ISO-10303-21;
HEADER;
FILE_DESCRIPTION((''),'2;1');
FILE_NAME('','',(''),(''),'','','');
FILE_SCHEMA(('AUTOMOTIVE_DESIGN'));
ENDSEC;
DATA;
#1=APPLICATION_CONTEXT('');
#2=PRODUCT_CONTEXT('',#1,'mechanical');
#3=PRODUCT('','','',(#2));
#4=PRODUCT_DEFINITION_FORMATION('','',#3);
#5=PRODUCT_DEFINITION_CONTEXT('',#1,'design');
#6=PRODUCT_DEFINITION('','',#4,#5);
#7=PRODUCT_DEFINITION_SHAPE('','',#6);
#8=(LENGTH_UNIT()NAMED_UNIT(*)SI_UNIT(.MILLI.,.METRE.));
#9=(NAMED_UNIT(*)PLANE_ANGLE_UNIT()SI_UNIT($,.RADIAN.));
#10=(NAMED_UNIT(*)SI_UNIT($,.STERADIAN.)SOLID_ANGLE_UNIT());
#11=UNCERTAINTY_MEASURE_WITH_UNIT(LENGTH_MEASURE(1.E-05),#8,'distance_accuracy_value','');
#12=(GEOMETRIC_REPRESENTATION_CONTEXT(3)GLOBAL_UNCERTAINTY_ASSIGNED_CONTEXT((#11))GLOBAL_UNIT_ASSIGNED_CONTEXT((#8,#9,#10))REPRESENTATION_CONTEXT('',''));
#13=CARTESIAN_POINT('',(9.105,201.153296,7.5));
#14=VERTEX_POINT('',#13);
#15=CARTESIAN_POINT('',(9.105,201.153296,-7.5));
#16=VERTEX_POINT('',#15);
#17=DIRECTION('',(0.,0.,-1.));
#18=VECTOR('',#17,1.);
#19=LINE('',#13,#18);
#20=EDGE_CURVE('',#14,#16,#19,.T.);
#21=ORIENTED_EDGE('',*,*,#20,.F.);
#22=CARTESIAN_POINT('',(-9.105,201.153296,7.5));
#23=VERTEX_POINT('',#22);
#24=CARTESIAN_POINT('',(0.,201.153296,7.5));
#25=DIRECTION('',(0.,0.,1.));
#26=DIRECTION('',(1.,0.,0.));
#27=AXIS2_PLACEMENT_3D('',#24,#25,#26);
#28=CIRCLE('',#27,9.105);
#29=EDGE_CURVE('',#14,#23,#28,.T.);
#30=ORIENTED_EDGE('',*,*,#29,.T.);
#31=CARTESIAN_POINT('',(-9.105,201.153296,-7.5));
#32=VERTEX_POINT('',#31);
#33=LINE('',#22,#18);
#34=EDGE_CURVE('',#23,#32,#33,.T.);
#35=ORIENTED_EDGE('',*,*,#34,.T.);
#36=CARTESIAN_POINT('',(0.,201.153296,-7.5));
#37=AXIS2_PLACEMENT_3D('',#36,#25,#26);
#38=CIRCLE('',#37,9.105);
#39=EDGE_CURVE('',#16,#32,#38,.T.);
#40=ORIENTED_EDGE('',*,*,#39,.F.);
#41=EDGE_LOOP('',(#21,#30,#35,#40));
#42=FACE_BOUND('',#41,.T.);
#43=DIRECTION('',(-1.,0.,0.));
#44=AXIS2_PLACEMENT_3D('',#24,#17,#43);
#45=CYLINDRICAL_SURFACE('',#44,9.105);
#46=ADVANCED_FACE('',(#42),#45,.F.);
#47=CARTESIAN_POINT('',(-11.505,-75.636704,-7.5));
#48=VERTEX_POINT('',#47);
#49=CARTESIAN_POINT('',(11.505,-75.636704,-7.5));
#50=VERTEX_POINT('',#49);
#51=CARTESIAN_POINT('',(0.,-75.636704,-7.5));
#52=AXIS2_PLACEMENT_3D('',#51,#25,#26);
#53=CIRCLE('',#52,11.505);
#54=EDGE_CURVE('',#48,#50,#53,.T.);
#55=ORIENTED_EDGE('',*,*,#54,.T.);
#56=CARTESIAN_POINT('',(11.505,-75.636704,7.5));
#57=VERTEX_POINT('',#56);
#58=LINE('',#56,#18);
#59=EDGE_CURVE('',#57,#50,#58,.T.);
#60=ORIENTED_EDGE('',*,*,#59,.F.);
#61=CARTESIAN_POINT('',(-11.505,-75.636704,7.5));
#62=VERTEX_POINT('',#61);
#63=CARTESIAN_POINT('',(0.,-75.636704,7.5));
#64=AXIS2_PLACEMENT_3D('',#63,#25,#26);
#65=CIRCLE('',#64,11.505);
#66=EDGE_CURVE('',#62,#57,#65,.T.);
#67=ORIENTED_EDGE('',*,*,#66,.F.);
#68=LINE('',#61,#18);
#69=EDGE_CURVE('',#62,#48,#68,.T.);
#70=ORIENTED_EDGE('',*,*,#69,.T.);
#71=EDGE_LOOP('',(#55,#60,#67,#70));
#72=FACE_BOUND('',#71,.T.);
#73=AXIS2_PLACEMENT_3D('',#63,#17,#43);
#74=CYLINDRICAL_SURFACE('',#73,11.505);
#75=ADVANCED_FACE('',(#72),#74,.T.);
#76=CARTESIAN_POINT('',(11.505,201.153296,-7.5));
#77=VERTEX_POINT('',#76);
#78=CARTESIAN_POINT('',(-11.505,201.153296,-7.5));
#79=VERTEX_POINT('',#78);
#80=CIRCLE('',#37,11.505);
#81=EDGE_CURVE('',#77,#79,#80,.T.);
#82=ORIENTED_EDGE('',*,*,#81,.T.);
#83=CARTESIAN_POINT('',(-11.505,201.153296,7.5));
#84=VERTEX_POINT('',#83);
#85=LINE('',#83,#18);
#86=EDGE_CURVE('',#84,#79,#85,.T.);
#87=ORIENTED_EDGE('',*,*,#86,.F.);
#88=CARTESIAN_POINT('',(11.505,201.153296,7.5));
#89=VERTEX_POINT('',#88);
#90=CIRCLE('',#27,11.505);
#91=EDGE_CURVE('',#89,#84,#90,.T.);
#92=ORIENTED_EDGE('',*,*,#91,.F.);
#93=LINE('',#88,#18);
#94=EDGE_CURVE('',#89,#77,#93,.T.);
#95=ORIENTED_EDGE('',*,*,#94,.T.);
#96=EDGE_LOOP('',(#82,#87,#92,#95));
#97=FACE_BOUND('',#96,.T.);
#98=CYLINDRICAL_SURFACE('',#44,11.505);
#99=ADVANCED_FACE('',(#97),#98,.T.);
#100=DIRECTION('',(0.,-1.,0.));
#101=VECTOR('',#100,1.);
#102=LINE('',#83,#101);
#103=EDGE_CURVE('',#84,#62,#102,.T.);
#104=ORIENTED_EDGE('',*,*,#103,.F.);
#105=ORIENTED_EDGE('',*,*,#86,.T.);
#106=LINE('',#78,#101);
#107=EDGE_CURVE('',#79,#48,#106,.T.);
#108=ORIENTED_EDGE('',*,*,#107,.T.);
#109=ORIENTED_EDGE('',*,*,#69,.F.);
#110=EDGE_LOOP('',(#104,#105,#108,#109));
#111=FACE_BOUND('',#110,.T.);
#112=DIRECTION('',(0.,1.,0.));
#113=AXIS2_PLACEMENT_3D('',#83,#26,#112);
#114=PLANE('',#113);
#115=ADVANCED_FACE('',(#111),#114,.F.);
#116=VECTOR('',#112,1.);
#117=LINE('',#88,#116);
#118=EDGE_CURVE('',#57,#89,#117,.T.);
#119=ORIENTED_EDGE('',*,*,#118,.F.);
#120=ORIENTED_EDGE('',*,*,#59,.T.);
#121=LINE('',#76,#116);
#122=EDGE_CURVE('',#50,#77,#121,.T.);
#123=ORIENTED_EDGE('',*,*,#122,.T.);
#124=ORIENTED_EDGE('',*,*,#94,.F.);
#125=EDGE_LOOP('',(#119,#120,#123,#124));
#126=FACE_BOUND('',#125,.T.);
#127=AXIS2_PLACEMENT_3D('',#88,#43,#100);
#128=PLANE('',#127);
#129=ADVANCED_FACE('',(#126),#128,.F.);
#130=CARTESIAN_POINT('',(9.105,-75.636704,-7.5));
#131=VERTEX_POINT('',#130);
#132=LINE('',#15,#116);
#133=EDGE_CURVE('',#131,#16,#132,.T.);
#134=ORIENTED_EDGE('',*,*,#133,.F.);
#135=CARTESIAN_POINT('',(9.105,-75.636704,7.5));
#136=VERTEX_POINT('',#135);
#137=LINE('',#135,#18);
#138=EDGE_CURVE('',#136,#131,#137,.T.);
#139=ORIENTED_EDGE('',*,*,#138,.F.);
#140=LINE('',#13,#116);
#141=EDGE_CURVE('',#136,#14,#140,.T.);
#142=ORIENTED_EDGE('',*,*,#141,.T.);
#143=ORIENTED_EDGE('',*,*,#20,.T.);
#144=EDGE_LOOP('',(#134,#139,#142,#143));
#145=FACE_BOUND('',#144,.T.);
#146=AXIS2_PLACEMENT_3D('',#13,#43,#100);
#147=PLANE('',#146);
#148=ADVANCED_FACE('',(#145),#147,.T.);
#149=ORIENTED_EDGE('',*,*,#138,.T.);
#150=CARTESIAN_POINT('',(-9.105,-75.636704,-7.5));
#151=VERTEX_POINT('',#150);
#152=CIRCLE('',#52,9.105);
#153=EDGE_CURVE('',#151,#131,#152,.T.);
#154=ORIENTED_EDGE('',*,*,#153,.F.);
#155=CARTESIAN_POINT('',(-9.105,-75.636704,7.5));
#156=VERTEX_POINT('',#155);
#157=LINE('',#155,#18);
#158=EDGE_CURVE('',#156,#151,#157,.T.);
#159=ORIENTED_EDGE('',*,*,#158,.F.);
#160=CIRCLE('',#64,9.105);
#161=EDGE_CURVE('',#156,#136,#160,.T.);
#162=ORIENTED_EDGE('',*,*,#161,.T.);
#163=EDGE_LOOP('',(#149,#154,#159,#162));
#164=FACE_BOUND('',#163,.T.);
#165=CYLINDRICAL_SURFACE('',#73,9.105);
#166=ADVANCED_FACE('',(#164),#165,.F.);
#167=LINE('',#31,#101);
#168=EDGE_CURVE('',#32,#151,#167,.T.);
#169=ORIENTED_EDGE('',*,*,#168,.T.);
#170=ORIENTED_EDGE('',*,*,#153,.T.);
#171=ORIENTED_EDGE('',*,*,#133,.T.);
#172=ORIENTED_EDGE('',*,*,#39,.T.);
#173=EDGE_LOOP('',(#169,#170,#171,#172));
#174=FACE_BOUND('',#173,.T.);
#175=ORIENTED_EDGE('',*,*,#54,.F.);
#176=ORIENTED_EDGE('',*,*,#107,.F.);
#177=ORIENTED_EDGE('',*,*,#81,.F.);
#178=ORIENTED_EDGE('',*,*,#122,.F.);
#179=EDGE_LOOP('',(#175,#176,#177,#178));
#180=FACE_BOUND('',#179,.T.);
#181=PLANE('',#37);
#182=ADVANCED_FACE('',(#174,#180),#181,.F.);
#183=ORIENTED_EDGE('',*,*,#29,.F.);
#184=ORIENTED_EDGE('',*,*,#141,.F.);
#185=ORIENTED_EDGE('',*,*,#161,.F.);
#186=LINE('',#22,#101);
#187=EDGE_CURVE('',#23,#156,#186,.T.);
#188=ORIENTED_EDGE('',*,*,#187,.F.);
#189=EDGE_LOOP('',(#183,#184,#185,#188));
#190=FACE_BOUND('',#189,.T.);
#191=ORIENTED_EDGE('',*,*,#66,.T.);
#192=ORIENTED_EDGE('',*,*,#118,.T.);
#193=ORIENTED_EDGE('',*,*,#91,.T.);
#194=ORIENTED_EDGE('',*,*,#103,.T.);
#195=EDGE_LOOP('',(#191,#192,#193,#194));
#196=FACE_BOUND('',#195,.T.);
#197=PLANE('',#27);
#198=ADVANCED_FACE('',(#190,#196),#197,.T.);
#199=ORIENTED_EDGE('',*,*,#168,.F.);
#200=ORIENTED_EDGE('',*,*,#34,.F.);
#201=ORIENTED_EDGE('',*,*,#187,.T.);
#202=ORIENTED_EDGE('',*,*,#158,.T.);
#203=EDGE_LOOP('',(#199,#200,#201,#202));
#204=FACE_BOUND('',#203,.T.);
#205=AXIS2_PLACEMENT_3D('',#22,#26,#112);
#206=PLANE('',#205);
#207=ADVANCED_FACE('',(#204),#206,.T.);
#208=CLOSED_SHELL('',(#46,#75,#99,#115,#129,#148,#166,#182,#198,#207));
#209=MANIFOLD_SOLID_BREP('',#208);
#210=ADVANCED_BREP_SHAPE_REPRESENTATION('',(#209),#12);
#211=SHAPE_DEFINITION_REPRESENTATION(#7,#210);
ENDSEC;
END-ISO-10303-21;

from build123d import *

# Parameters (mm, degrees)
BOSS_EXTRUDE1_DEPTH = 7.5


with BuildPart() as part:
    # Sketch1 → Boss-Extrude1 (new body, symmetric)
    with BuildSketch(Plane.XY):
        with BuildLine():
            Line((11.505, 201.15329588), (11.505, -75.63670412))
            ThreePointArc((11.505, -75.63670412), (0, -87.14170412), (-11.505, -75.63670412))
            Line((-11.505, -75.63670412), (-11.505, 201.15329588))
            ThreePointArc((-11.505, 201.15329588), (0, 212.65829588), (11.505, 201.15329588))
        make_face()
        with BuildLine():
            Line((9.105, 201.15329588), (9.105, -75.63670412))
            ThreePointArc((9.105, -75.63670412), (0, -84.74170412), (-9.105, -75.63670412))
            Line((-9.105, -75.63670412), (-9.105, 201.15329588))
            ThreePointArc((-9.105, 201.15329588), (0, 210.25829588), (9.105, 201.15329588))
        make_face(mode=Mode.SUBTRACT)
    extrude(amount=BOSS_EXTRUDE1_DEPTH, both=True)


solid = part.part
